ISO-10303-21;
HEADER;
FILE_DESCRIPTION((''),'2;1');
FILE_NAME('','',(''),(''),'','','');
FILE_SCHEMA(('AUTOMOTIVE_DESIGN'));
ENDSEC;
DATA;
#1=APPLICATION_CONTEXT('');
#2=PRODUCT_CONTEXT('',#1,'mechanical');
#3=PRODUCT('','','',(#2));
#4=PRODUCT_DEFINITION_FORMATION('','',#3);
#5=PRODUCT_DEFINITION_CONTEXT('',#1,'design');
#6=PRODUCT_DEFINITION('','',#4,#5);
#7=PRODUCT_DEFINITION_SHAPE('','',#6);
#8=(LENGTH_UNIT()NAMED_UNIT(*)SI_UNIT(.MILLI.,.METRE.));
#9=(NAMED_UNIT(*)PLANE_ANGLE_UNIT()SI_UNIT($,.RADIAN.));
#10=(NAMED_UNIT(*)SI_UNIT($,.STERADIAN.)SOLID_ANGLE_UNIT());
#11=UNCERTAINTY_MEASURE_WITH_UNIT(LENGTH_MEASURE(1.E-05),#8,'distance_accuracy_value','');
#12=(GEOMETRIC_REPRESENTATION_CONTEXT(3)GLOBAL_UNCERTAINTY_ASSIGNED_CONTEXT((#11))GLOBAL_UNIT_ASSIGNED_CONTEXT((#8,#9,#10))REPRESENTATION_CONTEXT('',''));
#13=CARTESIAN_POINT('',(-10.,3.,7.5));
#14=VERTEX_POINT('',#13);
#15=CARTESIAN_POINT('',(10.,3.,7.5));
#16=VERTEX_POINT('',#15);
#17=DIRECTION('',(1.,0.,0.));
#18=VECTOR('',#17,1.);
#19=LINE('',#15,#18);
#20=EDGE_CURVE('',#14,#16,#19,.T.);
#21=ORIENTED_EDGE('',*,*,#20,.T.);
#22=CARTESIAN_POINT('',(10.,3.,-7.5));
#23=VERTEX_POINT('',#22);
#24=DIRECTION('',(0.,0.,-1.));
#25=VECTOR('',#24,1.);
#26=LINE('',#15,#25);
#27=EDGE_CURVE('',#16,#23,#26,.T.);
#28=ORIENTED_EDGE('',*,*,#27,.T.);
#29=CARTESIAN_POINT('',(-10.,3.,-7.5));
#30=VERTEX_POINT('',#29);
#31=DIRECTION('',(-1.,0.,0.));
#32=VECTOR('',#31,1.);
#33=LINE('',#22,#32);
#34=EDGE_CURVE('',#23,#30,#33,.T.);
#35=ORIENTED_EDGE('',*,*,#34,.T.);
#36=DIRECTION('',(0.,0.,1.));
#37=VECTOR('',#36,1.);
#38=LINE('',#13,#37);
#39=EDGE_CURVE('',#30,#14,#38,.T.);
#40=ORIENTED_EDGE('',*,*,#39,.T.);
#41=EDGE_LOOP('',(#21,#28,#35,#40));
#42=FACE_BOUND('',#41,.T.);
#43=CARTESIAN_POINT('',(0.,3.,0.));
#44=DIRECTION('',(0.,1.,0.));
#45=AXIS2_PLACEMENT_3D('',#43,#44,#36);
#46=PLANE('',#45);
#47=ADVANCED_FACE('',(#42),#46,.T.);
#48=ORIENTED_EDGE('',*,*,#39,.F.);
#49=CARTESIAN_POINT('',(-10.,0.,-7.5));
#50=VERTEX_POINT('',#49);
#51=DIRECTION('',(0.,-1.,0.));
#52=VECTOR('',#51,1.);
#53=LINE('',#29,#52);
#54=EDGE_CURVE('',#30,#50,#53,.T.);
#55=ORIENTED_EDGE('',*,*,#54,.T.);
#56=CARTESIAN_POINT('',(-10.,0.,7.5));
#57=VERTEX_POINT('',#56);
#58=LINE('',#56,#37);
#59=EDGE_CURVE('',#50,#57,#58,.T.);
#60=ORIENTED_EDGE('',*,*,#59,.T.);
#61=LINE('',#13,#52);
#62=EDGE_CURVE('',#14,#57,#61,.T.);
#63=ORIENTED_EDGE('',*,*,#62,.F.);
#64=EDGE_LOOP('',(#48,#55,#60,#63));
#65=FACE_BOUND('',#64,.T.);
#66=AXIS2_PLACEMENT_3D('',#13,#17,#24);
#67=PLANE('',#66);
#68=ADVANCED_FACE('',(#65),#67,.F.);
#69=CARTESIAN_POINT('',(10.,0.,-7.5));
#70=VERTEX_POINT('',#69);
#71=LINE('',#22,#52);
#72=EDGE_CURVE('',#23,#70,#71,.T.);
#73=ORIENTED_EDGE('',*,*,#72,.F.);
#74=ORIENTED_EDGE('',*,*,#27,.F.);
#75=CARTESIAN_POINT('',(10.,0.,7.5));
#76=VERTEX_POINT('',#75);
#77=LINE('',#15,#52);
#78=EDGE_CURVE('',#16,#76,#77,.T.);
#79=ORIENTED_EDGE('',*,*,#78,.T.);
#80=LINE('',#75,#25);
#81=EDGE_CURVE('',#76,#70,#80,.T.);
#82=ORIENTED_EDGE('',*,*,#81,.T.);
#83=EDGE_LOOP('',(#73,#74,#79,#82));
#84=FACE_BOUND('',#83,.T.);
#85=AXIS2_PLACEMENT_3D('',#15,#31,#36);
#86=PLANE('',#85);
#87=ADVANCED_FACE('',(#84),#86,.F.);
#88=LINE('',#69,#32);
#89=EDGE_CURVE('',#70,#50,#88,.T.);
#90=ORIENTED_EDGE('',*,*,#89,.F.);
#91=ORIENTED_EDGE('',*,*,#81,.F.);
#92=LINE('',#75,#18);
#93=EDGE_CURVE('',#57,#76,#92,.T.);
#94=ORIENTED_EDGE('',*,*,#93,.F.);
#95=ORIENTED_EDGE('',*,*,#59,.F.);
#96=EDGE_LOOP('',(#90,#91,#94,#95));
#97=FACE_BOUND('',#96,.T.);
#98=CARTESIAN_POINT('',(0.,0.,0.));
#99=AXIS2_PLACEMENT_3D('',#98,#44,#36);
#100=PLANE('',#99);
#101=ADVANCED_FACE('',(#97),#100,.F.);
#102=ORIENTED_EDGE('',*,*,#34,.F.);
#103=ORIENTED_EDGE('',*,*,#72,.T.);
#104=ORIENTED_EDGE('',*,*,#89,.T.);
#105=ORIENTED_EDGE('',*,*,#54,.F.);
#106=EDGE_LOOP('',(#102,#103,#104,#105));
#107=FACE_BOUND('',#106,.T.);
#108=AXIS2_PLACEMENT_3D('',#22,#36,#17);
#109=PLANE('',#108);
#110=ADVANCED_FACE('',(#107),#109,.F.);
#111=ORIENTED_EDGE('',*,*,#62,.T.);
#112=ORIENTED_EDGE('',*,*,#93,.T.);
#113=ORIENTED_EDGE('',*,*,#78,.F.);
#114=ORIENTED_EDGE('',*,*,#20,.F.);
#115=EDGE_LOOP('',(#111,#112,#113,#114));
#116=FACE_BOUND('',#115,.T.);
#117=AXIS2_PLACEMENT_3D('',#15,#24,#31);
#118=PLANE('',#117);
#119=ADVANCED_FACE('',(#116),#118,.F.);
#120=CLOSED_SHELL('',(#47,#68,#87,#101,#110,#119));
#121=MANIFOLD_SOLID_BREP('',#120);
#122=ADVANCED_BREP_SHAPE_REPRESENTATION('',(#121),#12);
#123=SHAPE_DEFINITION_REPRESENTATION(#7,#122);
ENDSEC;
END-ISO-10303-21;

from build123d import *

# Parameters (mm, degrees)
SKETCH_1_W      = 20
SKETCH_1_H      = 15
EXTRUDE_1_DEPTH = 3


with BuildPart() as part:
    # Эскиз1 → Бобышка-Вытянуть1 (new body)
    with BuildSketch(Plane(origin=(0, 0, 0), x_dir=(1, 0, 0), z_dir=(0, 1, 0))):
        Rectangle(SKETCH_1_W, SKETCH_1_H)
    extrude(amount=EXTRUDE_1_DEPTH)


solid = part.part
